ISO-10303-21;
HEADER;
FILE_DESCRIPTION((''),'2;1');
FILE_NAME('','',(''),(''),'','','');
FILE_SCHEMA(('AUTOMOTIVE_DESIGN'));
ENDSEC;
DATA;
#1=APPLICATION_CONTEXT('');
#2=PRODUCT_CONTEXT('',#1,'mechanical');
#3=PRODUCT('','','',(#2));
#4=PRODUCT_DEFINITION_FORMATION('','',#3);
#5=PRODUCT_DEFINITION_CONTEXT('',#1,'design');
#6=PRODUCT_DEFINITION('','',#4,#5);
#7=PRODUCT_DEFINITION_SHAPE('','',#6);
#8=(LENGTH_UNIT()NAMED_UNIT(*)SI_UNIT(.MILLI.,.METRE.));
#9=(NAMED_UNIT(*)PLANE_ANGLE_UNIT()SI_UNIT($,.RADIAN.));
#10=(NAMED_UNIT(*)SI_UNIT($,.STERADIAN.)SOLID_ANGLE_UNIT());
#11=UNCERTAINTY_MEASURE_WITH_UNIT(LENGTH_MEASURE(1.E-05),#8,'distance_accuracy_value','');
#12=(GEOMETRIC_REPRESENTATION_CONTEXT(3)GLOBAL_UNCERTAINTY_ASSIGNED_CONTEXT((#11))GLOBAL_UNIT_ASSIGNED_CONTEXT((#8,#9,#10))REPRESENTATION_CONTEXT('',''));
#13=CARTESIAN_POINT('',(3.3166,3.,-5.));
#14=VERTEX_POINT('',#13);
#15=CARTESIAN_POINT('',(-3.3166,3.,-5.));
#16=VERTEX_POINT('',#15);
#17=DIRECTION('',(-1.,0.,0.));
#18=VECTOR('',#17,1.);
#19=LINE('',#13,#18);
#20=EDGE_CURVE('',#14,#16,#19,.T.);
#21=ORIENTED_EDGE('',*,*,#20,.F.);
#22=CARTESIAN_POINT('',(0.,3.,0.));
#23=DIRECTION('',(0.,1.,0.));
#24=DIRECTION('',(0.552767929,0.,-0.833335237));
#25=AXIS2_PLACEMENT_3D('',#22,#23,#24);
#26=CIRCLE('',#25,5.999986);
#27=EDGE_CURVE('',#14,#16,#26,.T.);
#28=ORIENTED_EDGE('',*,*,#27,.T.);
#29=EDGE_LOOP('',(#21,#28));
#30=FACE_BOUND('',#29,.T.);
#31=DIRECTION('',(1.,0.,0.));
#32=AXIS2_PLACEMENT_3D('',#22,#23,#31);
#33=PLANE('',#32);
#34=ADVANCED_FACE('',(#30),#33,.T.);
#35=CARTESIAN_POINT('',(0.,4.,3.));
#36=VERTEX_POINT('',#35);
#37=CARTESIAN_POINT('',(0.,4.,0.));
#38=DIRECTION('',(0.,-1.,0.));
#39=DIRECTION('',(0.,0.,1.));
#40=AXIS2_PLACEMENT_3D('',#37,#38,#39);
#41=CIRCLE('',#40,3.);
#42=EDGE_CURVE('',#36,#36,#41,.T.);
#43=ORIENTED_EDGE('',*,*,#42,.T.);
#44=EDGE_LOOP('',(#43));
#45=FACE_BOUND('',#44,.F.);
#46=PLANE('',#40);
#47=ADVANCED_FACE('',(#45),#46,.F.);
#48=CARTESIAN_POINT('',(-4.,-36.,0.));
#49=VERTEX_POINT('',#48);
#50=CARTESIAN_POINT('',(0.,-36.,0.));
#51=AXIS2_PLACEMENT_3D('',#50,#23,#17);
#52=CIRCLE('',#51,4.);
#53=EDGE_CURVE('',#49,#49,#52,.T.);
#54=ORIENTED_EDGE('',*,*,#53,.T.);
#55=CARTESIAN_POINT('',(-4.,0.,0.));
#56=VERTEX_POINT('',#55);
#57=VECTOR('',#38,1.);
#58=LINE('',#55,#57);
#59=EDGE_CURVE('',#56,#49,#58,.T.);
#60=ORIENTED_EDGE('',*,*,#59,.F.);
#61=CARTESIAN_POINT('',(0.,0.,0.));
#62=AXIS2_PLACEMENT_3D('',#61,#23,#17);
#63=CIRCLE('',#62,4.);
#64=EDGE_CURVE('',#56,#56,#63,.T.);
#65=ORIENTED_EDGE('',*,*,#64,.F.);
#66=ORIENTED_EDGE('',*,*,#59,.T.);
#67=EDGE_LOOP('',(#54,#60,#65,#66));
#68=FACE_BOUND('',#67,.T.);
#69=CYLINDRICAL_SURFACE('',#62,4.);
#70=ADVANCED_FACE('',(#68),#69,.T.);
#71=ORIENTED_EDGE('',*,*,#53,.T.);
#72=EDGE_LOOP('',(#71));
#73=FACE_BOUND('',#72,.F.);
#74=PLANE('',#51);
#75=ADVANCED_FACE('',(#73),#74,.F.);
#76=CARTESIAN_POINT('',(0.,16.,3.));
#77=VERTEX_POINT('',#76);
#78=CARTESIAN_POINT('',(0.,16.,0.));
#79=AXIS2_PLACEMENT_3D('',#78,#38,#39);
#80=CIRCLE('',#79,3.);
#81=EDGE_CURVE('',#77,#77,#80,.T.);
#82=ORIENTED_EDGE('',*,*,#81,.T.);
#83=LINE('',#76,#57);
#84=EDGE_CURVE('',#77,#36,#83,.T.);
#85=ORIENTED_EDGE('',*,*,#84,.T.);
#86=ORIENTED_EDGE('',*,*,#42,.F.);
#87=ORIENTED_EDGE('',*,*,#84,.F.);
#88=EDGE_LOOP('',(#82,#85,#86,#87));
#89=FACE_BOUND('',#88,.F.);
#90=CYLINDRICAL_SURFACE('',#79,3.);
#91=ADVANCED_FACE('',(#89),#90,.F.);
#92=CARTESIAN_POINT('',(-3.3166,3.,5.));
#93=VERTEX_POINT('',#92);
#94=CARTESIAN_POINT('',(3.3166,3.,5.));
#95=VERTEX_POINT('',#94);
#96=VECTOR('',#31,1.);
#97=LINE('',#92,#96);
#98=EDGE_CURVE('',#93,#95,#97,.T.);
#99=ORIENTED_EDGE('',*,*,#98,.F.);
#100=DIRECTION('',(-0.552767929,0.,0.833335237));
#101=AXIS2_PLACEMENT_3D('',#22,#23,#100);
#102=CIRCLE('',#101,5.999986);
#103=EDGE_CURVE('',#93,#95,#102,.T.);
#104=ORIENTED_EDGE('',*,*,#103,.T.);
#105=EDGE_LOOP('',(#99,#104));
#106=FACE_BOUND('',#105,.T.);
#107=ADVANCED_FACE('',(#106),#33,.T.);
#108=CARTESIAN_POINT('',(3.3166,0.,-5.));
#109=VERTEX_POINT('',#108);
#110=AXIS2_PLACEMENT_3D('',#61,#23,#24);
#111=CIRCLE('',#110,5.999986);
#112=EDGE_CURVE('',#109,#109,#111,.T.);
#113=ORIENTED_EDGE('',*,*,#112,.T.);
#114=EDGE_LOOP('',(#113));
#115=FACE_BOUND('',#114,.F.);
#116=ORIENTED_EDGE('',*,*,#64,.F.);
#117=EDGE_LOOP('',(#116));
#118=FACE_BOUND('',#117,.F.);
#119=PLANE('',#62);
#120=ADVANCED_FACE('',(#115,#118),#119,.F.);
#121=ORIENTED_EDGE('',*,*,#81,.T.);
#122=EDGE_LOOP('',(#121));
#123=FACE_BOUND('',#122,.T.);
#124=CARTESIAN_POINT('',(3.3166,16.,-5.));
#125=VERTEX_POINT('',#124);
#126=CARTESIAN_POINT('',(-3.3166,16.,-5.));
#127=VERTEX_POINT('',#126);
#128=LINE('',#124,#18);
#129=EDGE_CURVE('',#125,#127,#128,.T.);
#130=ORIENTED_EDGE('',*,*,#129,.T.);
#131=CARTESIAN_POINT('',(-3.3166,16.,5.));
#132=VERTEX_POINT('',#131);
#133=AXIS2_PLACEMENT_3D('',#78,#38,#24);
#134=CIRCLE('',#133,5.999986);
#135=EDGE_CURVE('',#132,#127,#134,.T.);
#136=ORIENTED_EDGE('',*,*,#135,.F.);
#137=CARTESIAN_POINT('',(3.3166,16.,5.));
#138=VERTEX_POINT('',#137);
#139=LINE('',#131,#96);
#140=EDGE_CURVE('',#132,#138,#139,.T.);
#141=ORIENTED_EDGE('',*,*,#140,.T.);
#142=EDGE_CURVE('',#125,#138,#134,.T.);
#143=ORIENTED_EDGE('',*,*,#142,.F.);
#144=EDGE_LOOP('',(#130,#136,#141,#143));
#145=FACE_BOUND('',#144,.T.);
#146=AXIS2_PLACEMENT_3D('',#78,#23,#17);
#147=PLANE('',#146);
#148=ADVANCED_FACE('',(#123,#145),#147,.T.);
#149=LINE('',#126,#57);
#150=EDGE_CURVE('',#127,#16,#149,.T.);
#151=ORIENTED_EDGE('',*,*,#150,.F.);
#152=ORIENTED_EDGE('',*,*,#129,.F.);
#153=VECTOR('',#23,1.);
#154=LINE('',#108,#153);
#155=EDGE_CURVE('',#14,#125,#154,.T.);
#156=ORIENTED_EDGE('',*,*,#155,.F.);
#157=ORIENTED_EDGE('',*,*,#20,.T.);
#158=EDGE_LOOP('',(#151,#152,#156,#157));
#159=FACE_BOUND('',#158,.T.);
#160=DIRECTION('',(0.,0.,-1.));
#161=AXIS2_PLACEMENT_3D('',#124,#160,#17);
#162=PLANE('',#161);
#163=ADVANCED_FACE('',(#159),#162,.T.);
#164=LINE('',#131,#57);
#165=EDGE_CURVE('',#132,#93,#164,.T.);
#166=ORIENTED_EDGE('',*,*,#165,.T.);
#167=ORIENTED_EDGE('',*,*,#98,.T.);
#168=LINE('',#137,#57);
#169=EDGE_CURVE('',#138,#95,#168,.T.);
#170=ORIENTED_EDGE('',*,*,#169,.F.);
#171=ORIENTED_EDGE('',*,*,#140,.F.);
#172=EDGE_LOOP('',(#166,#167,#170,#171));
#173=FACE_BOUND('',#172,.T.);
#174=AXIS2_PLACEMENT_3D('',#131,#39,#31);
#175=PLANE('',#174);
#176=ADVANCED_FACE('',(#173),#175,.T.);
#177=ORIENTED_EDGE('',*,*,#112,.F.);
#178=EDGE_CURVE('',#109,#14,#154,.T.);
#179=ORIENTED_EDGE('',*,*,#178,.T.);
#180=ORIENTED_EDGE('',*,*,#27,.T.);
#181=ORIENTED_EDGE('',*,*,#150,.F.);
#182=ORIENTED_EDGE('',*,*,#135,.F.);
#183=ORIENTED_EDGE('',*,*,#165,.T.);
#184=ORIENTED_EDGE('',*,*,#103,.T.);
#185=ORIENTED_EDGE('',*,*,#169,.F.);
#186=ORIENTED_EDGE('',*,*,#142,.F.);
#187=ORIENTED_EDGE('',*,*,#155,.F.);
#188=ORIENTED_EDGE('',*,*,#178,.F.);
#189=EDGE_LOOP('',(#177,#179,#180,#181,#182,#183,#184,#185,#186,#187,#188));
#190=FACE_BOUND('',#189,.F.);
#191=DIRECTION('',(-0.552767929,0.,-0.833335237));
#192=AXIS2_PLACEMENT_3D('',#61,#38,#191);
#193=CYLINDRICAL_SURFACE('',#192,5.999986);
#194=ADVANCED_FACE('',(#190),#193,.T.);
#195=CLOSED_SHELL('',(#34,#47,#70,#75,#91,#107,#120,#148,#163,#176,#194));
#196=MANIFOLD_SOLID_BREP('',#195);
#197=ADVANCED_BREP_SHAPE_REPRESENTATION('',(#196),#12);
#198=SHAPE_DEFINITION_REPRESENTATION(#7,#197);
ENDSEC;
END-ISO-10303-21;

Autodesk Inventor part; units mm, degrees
ref_plane "YZ Plane" through (0, 0, 0) normal (1, 0, 0) x (0, 1, 0)
ref_plane "XZ Plane" through (0, 0, 0) normal (0, 1, 0) x (-1, 0, 0)
ref_plane "XY Plane" through (0, 0, 0) normal (0, 0, 1) x (1, 0, 0)
sketch "Sketch1" plane through (0, 0, 0) normal (0, 1, 0) x (-1, 0, 0)
  arc A0 (3.3166, 5) -> (-3.3166, -5) centre (0, 0) ccw
  line L0 (3.3166, 5) -> (-3.3166, 5) construction
  line L1 (3.3166, -5) -> (-3.3166, -5) construction
  arc A1 (3.3166, 5) -> (-3.3166, 5) centre (0, 0) ccw construction
  arc A2 (3.3166, -5) -> (3.3166, 5) centre (0, 0) ccw
  arc A3 (-3.3166, -5) -> (3.3166, -5) centre (0, 0) ccw
  line L2 (0, 0) -> (18.76, 0) construction
  point P0 (5.7735, 0)
  dimension "d17" = 10
  dimension "d18" = 12
extrude "Extrusion1" add sketch "Sketch1" along normal blind 16
sketch "Sketch2" plane through (0, 0, 0) normal (0, 1, 0) x (-1, 0, 0)
  circle A0 centre (0, 0) radius 4
  dimension "d3" = 8
extrude "Extrusion2" add sketch "Sketch2" against normal blind 36
thread "Thread1" size "M8x1.25" class "6g" standard "ANSI Metric M Profile" length 16
sketch "Sketch4" plane through (0, 16, 0) normal (0, 1, 0) x (1, 0, 0)
  circle A0 centre (0, 0) radius 6 construction
  line L0 (-3.3166, -5) -> (3.3166, -5)
  line L1 (3.3166, 5) -> (-3.3166, 5)
  arc A1 (-3.3166, -5) -> (3.3166, -5) centre (0, 0) ccw
  arc A2 (3.3166, 5) -> (-3.3166, 5) centre (0, 0) ccw
  dimension "d20" = 10
extrude "Extrusion3" cut sketch "Sketch4" against normal blind 13
sketch "Sketch3" plane through (0, 16, 0) normal (0, 1, 0) x (1, 0, 0)
  point P0 (0, 0)
  point P1 (0, 0)
hole "Hole1" at (0, 16, 0) direction (0, -1, 0) diameter 6 depth 12
thread "Thread2" size "M6x1" class "6H" standard "ANSI Metric M Profile" full length
properties part number "BallTransferUnit" material "Stainless Steel"
